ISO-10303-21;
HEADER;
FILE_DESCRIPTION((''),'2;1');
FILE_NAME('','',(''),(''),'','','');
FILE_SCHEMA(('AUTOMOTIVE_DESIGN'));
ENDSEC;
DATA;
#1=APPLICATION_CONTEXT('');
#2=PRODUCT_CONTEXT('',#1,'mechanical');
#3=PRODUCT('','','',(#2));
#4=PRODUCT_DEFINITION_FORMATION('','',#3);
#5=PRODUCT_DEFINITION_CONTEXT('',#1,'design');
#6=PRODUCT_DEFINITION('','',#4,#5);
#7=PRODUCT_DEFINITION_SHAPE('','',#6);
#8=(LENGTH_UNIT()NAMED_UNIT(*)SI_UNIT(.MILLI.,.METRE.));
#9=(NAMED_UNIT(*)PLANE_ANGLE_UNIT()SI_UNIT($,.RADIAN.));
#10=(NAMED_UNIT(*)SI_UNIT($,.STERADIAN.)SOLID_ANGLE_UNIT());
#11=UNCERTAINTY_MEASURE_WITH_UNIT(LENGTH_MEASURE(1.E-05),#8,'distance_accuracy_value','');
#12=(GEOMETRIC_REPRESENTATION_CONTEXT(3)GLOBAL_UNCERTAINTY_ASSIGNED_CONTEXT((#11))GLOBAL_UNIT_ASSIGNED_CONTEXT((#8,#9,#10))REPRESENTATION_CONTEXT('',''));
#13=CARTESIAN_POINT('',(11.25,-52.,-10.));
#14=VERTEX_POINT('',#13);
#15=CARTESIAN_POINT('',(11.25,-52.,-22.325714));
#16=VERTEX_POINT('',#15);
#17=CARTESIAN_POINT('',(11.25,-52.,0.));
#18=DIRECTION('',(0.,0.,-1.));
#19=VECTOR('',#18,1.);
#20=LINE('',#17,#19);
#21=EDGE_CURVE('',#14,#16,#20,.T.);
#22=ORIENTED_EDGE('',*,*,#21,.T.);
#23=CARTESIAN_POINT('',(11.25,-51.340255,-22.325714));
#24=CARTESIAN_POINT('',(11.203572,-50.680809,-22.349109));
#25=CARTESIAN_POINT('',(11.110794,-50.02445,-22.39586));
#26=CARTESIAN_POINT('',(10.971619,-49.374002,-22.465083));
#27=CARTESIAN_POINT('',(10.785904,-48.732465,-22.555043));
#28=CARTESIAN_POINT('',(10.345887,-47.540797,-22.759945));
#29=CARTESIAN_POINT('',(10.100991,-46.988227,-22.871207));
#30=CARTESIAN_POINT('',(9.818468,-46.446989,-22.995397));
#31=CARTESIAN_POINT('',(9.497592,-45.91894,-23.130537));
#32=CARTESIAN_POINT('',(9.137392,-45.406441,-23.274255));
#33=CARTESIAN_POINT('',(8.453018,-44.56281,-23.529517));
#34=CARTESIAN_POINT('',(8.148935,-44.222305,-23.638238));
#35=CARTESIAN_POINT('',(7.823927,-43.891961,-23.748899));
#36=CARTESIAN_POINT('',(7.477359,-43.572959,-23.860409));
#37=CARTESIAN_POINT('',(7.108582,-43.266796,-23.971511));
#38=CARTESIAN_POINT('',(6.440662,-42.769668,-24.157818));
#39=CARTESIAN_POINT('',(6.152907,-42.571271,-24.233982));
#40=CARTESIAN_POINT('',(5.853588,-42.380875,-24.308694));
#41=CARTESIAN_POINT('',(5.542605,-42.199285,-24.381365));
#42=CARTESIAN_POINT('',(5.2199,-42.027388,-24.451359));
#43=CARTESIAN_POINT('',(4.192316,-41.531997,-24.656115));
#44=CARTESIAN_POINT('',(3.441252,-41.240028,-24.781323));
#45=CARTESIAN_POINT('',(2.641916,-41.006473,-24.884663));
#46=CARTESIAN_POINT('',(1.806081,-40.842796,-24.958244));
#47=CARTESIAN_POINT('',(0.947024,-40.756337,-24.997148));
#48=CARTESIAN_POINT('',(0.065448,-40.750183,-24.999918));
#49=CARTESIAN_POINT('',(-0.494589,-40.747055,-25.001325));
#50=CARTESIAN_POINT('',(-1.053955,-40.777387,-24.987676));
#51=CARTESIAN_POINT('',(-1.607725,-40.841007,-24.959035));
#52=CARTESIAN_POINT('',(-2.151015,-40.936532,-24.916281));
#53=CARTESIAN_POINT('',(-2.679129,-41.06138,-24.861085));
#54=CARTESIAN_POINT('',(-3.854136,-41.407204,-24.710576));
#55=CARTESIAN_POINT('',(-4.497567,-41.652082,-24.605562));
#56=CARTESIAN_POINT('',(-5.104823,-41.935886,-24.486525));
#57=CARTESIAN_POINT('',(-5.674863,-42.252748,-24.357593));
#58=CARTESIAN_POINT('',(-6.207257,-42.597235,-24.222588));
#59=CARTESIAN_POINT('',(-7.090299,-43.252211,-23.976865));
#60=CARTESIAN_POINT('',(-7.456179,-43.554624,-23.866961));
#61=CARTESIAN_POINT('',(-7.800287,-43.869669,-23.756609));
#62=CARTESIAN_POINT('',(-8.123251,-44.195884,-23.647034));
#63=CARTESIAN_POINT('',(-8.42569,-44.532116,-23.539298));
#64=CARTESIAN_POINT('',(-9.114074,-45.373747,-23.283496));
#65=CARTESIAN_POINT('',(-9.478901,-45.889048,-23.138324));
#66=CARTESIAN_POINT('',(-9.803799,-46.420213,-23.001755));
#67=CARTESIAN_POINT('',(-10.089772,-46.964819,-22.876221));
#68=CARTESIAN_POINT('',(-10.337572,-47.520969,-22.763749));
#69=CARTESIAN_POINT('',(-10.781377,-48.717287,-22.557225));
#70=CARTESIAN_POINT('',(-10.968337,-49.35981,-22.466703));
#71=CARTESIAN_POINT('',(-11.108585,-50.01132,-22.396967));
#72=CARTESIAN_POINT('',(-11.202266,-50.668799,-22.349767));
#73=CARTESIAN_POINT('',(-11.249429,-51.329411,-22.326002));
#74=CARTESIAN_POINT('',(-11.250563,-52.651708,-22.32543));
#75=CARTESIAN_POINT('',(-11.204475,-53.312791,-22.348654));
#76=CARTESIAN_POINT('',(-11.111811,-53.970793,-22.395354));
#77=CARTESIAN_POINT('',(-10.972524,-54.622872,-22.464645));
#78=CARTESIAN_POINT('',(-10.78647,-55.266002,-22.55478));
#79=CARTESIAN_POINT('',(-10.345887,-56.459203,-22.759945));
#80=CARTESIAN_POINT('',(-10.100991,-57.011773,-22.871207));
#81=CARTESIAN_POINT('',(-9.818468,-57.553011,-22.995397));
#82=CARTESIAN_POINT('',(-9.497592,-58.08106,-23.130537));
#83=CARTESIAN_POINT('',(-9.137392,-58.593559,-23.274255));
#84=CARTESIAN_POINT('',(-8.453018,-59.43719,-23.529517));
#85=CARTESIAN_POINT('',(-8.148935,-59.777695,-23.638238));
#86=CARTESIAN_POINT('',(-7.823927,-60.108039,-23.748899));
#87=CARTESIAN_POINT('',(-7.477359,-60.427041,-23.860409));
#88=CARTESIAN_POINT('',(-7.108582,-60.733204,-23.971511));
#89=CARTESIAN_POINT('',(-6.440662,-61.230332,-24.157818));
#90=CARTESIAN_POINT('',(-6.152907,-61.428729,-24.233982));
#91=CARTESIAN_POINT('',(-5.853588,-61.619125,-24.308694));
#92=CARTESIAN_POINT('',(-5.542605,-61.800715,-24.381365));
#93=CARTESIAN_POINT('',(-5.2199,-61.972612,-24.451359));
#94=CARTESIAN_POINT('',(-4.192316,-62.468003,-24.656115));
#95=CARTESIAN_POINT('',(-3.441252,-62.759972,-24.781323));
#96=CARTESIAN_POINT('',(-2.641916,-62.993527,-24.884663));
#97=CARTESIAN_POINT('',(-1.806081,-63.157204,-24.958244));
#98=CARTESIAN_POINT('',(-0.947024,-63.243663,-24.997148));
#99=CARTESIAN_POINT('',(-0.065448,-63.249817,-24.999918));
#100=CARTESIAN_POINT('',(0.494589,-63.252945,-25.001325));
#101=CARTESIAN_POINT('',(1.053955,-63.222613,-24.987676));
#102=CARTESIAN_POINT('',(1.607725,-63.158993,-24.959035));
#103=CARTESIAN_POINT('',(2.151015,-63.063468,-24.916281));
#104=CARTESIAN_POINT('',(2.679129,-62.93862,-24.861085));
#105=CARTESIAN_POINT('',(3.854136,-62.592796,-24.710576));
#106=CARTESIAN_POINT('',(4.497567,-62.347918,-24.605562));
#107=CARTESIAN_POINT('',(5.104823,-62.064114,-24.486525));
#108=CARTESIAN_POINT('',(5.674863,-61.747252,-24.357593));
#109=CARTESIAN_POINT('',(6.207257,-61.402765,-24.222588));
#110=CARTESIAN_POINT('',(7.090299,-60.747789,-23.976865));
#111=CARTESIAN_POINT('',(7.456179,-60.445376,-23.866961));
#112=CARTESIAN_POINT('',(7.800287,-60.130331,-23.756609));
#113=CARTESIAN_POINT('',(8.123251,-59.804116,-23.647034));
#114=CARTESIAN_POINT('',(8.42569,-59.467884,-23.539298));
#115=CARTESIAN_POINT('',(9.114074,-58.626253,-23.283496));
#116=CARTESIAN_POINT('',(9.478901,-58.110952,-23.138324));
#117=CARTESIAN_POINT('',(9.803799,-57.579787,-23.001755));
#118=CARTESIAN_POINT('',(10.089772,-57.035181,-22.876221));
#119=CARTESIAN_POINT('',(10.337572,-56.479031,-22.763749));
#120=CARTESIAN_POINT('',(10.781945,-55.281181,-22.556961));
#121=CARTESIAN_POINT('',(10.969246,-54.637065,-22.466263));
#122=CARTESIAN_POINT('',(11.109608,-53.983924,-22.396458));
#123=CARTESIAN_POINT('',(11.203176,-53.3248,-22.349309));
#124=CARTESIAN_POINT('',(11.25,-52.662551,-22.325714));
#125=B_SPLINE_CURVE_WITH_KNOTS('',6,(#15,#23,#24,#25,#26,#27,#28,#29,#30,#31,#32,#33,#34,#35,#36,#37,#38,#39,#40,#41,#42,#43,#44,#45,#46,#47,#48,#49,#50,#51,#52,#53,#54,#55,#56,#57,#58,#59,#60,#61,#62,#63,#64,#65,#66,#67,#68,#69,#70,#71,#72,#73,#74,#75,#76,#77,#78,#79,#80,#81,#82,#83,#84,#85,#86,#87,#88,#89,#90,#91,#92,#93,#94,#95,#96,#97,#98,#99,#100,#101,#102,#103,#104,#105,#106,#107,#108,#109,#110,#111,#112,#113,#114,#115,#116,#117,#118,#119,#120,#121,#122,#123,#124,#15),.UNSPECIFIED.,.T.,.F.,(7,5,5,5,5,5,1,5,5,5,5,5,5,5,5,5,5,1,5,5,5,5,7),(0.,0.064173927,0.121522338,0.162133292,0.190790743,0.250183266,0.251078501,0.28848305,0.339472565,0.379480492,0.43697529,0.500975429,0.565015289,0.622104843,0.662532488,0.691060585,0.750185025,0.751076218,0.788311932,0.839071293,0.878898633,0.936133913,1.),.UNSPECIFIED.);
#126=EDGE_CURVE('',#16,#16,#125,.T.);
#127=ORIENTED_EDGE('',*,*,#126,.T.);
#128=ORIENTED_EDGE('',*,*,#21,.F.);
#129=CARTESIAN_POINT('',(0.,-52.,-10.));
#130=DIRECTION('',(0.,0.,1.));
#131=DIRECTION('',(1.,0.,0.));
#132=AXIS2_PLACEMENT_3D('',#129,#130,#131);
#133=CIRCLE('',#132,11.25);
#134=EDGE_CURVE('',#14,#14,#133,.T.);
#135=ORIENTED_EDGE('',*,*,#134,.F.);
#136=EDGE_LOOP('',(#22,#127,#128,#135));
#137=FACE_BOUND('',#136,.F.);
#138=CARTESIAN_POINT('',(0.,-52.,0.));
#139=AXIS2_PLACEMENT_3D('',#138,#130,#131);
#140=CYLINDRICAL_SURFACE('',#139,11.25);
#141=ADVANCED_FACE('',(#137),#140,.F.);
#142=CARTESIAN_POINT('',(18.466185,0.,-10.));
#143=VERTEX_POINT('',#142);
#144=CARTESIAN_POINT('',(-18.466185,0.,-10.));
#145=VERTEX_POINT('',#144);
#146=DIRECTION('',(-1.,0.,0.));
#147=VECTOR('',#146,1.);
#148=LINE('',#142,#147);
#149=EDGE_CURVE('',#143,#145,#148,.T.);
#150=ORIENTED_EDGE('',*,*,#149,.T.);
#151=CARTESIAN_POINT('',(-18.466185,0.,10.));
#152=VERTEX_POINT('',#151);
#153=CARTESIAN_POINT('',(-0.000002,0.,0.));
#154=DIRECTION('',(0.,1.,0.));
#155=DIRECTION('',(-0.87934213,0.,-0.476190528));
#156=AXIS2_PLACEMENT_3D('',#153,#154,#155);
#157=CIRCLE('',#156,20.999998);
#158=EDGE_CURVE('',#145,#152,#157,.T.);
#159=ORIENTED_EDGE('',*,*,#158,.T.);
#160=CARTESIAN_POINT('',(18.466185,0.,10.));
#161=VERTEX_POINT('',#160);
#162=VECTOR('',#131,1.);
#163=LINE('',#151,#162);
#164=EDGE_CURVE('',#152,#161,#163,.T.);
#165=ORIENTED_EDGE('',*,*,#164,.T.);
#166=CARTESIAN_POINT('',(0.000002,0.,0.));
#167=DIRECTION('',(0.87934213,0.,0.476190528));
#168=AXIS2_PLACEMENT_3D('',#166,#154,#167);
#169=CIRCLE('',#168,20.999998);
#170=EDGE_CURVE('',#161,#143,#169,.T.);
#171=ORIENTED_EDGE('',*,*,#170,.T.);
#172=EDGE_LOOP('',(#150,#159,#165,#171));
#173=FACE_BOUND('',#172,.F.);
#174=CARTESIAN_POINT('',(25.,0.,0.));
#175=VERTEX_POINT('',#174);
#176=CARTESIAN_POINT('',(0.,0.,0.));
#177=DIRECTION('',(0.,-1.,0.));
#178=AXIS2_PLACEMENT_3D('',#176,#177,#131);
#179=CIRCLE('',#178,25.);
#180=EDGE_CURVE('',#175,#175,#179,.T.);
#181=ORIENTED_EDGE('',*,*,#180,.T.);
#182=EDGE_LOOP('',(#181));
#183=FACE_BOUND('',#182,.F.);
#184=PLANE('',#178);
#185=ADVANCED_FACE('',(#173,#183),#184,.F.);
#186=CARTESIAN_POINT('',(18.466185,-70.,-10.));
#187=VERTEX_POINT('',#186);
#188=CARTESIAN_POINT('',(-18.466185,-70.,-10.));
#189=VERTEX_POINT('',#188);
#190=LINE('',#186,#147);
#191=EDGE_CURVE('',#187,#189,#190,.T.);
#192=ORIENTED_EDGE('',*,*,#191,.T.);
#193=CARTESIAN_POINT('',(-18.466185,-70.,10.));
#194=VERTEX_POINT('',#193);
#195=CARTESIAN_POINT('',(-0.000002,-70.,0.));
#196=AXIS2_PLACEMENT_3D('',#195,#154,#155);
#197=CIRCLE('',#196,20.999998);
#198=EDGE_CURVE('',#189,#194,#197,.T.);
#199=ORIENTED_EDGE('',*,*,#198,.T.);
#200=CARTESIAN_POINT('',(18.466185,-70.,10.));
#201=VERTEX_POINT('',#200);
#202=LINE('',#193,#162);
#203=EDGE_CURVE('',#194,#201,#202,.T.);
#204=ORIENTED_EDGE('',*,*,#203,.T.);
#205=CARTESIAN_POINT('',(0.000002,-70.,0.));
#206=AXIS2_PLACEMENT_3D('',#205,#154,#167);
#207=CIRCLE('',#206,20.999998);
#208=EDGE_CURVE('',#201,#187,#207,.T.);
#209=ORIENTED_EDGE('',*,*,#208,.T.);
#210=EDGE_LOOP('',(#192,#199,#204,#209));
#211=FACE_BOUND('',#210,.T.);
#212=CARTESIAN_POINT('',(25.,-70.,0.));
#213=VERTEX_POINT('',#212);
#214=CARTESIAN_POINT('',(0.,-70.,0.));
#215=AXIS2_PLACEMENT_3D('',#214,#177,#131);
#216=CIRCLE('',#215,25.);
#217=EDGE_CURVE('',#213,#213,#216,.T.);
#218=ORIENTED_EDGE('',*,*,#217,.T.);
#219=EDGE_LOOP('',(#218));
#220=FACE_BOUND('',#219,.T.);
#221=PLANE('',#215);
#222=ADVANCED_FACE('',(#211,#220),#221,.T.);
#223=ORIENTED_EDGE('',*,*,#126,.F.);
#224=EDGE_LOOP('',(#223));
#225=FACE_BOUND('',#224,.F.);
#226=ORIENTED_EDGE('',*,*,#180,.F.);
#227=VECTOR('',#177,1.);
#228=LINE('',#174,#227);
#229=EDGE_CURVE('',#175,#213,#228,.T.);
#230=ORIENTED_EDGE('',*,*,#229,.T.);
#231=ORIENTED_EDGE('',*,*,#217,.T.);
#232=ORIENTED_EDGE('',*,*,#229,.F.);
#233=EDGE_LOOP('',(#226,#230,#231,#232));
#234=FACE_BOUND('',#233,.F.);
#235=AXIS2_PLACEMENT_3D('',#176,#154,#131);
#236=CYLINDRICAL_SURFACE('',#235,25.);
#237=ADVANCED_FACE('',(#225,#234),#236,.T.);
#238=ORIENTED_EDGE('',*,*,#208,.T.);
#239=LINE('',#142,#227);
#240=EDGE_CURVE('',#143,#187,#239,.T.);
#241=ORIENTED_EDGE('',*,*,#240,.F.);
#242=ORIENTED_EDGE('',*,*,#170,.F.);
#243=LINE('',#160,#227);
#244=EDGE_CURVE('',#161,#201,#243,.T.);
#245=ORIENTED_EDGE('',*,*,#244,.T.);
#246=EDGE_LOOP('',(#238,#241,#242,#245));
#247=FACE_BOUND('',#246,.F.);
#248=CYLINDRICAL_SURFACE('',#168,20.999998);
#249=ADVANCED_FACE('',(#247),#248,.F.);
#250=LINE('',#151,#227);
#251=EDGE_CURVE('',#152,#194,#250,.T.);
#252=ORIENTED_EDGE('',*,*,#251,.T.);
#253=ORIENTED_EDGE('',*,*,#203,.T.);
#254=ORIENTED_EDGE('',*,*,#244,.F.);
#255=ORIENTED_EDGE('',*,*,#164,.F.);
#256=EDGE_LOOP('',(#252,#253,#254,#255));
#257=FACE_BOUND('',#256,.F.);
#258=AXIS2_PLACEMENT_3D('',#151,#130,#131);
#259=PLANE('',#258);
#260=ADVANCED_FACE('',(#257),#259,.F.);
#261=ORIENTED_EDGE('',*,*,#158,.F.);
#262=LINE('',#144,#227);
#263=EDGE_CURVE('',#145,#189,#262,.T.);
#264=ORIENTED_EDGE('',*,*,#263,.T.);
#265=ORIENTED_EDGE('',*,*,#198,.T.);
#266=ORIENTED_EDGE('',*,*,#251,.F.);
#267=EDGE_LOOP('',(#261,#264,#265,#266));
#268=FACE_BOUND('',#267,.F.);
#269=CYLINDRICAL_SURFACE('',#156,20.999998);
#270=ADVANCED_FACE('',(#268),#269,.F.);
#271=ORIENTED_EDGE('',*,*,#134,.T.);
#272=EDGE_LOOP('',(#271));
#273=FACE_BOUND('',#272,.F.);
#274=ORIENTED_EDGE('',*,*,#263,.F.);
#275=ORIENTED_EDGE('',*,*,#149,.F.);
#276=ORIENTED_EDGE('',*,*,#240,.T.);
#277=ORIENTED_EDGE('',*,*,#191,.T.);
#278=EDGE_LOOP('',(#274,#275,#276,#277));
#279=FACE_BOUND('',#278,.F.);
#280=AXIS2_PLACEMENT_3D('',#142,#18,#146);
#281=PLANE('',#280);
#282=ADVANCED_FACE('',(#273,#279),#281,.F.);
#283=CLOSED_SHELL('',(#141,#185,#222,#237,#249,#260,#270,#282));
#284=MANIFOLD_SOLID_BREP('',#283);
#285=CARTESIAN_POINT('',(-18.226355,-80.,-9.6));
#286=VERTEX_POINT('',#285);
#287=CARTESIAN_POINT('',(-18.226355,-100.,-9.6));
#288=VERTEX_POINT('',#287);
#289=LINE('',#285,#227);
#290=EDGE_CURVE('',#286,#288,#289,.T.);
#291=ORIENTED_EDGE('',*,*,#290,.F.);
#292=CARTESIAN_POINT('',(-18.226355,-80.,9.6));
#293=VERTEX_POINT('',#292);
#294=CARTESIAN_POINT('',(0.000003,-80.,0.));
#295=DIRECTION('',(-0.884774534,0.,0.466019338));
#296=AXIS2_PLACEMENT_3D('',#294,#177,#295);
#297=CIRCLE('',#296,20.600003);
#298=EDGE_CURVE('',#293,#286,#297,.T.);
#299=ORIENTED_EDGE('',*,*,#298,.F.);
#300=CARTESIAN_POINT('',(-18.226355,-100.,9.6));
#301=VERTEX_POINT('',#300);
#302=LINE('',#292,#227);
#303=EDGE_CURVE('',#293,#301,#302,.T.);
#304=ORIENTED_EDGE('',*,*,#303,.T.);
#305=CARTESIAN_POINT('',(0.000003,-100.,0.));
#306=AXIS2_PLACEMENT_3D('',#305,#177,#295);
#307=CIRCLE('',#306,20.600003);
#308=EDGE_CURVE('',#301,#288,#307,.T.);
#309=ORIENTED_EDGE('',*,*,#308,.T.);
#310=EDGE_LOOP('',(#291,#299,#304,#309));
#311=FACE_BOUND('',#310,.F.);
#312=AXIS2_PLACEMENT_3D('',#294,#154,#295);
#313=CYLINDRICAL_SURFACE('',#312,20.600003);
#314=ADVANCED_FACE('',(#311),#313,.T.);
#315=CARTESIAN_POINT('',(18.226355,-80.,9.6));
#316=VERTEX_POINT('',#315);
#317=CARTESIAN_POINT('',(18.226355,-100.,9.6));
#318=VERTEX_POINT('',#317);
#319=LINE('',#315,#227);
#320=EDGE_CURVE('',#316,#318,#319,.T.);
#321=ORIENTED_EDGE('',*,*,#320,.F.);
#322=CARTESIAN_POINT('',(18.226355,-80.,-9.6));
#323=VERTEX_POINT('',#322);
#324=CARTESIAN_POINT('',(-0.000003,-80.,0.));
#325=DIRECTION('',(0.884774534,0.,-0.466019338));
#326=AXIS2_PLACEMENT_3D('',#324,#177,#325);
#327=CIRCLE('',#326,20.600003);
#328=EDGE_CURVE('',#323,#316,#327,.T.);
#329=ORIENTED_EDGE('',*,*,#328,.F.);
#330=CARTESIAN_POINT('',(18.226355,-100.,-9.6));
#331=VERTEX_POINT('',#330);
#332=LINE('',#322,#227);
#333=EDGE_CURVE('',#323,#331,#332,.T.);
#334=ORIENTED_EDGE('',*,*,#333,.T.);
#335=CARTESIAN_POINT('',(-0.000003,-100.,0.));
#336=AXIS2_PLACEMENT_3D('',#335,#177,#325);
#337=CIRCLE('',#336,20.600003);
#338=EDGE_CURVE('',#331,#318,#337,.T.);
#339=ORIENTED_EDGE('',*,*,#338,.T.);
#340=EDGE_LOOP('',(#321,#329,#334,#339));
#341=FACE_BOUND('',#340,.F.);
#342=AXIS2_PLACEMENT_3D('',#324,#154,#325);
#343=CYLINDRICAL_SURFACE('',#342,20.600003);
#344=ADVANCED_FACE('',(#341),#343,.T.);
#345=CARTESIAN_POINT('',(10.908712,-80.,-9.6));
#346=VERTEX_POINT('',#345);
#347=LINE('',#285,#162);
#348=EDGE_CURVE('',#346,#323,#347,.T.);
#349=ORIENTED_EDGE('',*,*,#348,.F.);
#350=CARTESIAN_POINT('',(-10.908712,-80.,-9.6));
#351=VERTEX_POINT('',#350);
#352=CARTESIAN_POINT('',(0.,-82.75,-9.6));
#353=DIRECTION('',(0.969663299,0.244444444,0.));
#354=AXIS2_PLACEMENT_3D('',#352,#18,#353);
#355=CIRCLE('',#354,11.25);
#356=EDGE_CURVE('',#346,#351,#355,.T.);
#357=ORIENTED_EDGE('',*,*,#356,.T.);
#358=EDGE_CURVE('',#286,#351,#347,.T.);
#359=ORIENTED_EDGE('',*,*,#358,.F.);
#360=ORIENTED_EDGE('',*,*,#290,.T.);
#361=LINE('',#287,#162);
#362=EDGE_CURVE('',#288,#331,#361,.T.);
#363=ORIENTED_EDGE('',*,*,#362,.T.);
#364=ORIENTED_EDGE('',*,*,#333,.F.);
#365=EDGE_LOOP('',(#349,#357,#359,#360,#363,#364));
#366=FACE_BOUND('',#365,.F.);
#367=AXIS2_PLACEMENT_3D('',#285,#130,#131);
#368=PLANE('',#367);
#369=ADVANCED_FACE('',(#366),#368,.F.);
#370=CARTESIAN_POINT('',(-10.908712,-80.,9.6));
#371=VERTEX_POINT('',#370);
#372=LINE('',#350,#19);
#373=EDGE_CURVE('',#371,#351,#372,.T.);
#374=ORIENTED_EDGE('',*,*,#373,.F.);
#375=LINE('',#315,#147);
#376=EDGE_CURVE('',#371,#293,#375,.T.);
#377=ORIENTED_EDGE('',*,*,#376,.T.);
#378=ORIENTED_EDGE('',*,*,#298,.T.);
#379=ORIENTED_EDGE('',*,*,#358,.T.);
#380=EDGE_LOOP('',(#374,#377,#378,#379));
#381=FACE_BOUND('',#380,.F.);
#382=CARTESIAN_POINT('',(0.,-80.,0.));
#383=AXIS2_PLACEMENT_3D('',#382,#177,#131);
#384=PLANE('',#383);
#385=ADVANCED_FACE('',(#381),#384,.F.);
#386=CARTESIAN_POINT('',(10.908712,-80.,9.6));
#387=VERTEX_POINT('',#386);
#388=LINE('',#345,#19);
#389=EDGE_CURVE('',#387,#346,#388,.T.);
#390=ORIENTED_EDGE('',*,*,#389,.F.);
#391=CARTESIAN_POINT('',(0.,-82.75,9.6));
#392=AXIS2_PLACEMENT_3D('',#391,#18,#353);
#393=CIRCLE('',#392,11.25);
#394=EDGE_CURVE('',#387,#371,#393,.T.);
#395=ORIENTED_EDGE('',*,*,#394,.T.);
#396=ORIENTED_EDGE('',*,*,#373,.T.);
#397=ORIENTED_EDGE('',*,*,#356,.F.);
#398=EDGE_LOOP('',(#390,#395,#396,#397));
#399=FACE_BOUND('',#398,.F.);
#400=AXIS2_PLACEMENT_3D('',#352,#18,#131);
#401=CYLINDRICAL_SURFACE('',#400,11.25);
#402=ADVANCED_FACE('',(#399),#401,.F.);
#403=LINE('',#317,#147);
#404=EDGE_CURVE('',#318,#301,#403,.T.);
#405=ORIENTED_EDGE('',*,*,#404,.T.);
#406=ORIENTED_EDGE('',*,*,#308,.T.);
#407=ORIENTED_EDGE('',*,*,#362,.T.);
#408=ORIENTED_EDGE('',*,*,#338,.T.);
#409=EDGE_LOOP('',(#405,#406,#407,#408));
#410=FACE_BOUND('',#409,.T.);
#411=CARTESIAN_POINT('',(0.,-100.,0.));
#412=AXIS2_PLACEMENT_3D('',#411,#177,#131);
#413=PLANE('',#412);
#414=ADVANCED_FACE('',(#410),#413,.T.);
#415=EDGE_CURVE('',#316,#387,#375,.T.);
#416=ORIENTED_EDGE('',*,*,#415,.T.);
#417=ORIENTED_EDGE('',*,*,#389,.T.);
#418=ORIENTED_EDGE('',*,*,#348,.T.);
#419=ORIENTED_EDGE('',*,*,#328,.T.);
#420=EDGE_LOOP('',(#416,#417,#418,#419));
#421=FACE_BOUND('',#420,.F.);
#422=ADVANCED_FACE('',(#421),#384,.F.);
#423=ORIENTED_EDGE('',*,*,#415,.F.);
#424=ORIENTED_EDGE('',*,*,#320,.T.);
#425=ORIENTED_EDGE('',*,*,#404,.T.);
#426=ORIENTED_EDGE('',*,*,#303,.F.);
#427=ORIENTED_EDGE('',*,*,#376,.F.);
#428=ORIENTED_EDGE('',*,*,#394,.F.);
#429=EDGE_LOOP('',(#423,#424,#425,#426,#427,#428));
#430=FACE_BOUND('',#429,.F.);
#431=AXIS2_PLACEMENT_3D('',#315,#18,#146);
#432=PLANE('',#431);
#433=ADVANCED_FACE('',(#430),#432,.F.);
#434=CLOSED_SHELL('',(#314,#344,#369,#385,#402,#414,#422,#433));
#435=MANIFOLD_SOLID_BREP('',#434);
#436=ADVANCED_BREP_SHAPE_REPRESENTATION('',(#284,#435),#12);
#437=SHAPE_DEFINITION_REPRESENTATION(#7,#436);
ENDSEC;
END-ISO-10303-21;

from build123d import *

# Parameters (mm, degrees)
F0_R     = 25
F1_DEPTH = 70
F2_R     = 11.25
F3_DEPTH = 25
F6_DEPTH = 20
F7_R     = 11.25
F8_DEPTH = 19.2


with BuildPart() as f1:
    # F0 (on Front) → F1 (new body)
    with BuildSketch(Plane.XZ):
        Circle(F0_R)
        with BuildLine():
            ThreePointArc((-18.466185, -10), (-21, 0), (-18.466185, 10))
            Line((-18.466185, 10), (18.466185, 10))
            ThreePointArc((18.466185, 10), (21, 0), (18.466185, -10))
            Line((18.466185, -10), (-18.466185, -10))
        make_face(mode=Mode.SUBTRACT)
    extrude(amount=F1_DEPTH)

    # F2 (on Top) → F3 (cut)
    with BuildSketch(Plane.XY):
        with Locations((0, -52)):
            Circle(F2_R)
    extrude(amount=-F3_DEPTH, mode=Mode.SUBTRACT)


with BuildPart() as f6:
    # F5 (on offset) → F6 (new body)
    with BuildSketch(Plane.XZ.offset(80)):
        with BuildLine():
            Line((18.226355, 9.6), (-18.226355, 9.6))
            ThreePointArc((-18.226355, 9.6), (-20.6, 0), (-18.226355, -9.6))
            Line((-18.226355, -9.6), (18.226355, -9.6))
            ThreePointArc((18.226355, -9.6), (20.6, 0), (18.226355, 9.6))
        make_face()
    extrude(amount=F6_DEPTH)

    # F7 (on face) → F8 (cut, through all)
    with BuildSketch(Plane(origin=(0, 0, -9.6), x_dir=(1, 0, 0), z_dir=(0, 0, -1))):
        with Locations((0, 82.75)):
            Circle(F7_R)
    extrude(amount=-F8_DEPTH, mode=Mode.SUBTRACT)


solid = Compound([f1.part, f6.part])
